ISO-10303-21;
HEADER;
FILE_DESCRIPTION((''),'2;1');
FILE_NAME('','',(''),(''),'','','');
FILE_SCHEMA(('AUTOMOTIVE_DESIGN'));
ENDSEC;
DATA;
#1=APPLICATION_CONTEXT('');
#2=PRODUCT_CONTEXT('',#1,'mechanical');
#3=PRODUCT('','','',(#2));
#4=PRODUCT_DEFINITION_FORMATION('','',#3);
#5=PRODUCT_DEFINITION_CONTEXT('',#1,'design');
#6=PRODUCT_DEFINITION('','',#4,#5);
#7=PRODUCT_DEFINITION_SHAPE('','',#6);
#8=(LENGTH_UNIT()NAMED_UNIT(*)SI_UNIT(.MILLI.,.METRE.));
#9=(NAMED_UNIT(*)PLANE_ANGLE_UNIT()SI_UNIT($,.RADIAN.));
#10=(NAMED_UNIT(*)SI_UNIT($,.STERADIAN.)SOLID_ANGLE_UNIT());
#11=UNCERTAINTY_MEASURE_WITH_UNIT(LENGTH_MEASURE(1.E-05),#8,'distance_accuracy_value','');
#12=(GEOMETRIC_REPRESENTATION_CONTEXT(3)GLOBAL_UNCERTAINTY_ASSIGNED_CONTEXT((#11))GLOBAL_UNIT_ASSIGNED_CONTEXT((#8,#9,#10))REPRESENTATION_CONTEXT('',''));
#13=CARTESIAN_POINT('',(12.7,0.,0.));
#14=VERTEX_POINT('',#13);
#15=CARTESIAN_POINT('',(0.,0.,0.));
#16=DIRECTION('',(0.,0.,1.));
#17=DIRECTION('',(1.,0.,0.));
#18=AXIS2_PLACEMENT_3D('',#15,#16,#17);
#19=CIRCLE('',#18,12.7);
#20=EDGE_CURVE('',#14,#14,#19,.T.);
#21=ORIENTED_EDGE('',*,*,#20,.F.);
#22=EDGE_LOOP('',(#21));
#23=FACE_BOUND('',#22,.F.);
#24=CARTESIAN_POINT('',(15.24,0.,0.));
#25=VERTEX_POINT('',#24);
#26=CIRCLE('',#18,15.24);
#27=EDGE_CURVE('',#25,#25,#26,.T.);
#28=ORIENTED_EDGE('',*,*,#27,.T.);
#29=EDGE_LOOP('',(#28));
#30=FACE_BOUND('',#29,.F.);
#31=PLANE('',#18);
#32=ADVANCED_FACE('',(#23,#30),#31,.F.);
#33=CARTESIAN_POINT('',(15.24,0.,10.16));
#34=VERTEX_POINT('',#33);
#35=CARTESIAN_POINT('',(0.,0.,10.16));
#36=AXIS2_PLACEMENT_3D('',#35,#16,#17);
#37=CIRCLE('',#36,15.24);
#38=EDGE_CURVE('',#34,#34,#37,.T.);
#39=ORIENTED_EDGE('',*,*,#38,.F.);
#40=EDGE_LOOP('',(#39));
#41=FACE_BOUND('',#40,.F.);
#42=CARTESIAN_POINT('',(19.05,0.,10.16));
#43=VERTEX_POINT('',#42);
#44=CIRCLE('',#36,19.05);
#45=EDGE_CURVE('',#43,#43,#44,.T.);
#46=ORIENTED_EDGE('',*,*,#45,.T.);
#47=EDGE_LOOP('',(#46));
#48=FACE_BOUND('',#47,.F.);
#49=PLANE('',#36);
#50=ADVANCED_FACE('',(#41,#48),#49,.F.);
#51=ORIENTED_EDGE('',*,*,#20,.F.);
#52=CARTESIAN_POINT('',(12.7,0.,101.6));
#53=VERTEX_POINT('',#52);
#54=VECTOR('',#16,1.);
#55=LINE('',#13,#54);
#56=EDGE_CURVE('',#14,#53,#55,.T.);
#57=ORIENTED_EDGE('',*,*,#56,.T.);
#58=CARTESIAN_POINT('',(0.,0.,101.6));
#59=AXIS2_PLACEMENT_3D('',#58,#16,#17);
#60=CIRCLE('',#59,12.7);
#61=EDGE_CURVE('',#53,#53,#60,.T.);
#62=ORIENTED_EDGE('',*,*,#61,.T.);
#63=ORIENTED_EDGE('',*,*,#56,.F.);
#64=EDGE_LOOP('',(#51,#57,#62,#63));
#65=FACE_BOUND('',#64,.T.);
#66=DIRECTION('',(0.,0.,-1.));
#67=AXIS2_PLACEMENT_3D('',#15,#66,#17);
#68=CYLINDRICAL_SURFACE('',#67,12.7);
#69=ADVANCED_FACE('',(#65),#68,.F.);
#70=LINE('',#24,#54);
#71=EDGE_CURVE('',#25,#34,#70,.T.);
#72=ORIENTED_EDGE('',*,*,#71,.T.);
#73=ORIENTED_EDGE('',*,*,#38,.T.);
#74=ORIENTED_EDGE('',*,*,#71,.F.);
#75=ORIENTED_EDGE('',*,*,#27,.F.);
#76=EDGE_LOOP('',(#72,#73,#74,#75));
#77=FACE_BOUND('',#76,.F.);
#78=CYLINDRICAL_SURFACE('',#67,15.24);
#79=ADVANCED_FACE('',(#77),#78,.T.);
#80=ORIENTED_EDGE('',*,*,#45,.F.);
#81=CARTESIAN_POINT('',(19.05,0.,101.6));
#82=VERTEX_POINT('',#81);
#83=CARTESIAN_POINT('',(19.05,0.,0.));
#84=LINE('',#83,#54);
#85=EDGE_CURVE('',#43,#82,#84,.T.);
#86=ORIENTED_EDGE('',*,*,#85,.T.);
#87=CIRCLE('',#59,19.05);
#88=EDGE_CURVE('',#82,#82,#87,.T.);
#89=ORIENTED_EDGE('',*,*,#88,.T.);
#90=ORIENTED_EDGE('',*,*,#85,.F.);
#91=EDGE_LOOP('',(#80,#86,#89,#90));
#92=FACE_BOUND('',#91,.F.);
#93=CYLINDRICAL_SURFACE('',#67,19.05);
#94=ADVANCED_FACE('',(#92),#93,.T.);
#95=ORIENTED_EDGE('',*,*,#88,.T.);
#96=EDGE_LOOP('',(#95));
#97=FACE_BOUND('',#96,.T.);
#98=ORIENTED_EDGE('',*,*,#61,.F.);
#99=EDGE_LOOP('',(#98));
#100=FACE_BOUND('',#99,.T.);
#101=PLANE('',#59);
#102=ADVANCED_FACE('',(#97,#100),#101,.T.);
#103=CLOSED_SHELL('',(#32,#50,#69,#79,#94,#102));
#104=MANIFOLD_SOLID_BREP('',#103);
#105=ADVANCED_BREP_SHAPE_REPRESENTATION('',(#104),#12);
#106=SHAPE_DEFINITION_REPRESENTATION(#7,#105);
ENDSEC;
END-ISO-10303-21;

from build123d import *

# Parameters (mm, degrees)
F1_R     = 19.05
F1_R_2   = 12.7
F2_DEPTH = 101.6
F3_R     = 19.05
F3_R_2   = 15.24
F4_DEPTH = 10.16


with BuildPart() as f2:
    # F1 (on face) → F2 (new body)
    with BuildSketch(Plane.XY):
        Circle(F1_R)
        Circle(F1_R_2, mode=Mode.SUBTRACT)
    extrude(amount=F2_DEPTH)

    # F3 (on face) → F4 (cut)
    with BuildSketch(Plane.XY):
        Circle(F3_R)
        Circle(F3_R_2, mode=Mode.SUBTRACT)
    extrude(amount=F4_DEPTH, mode=Mode.SUBTRACT)


solid = f2.part
